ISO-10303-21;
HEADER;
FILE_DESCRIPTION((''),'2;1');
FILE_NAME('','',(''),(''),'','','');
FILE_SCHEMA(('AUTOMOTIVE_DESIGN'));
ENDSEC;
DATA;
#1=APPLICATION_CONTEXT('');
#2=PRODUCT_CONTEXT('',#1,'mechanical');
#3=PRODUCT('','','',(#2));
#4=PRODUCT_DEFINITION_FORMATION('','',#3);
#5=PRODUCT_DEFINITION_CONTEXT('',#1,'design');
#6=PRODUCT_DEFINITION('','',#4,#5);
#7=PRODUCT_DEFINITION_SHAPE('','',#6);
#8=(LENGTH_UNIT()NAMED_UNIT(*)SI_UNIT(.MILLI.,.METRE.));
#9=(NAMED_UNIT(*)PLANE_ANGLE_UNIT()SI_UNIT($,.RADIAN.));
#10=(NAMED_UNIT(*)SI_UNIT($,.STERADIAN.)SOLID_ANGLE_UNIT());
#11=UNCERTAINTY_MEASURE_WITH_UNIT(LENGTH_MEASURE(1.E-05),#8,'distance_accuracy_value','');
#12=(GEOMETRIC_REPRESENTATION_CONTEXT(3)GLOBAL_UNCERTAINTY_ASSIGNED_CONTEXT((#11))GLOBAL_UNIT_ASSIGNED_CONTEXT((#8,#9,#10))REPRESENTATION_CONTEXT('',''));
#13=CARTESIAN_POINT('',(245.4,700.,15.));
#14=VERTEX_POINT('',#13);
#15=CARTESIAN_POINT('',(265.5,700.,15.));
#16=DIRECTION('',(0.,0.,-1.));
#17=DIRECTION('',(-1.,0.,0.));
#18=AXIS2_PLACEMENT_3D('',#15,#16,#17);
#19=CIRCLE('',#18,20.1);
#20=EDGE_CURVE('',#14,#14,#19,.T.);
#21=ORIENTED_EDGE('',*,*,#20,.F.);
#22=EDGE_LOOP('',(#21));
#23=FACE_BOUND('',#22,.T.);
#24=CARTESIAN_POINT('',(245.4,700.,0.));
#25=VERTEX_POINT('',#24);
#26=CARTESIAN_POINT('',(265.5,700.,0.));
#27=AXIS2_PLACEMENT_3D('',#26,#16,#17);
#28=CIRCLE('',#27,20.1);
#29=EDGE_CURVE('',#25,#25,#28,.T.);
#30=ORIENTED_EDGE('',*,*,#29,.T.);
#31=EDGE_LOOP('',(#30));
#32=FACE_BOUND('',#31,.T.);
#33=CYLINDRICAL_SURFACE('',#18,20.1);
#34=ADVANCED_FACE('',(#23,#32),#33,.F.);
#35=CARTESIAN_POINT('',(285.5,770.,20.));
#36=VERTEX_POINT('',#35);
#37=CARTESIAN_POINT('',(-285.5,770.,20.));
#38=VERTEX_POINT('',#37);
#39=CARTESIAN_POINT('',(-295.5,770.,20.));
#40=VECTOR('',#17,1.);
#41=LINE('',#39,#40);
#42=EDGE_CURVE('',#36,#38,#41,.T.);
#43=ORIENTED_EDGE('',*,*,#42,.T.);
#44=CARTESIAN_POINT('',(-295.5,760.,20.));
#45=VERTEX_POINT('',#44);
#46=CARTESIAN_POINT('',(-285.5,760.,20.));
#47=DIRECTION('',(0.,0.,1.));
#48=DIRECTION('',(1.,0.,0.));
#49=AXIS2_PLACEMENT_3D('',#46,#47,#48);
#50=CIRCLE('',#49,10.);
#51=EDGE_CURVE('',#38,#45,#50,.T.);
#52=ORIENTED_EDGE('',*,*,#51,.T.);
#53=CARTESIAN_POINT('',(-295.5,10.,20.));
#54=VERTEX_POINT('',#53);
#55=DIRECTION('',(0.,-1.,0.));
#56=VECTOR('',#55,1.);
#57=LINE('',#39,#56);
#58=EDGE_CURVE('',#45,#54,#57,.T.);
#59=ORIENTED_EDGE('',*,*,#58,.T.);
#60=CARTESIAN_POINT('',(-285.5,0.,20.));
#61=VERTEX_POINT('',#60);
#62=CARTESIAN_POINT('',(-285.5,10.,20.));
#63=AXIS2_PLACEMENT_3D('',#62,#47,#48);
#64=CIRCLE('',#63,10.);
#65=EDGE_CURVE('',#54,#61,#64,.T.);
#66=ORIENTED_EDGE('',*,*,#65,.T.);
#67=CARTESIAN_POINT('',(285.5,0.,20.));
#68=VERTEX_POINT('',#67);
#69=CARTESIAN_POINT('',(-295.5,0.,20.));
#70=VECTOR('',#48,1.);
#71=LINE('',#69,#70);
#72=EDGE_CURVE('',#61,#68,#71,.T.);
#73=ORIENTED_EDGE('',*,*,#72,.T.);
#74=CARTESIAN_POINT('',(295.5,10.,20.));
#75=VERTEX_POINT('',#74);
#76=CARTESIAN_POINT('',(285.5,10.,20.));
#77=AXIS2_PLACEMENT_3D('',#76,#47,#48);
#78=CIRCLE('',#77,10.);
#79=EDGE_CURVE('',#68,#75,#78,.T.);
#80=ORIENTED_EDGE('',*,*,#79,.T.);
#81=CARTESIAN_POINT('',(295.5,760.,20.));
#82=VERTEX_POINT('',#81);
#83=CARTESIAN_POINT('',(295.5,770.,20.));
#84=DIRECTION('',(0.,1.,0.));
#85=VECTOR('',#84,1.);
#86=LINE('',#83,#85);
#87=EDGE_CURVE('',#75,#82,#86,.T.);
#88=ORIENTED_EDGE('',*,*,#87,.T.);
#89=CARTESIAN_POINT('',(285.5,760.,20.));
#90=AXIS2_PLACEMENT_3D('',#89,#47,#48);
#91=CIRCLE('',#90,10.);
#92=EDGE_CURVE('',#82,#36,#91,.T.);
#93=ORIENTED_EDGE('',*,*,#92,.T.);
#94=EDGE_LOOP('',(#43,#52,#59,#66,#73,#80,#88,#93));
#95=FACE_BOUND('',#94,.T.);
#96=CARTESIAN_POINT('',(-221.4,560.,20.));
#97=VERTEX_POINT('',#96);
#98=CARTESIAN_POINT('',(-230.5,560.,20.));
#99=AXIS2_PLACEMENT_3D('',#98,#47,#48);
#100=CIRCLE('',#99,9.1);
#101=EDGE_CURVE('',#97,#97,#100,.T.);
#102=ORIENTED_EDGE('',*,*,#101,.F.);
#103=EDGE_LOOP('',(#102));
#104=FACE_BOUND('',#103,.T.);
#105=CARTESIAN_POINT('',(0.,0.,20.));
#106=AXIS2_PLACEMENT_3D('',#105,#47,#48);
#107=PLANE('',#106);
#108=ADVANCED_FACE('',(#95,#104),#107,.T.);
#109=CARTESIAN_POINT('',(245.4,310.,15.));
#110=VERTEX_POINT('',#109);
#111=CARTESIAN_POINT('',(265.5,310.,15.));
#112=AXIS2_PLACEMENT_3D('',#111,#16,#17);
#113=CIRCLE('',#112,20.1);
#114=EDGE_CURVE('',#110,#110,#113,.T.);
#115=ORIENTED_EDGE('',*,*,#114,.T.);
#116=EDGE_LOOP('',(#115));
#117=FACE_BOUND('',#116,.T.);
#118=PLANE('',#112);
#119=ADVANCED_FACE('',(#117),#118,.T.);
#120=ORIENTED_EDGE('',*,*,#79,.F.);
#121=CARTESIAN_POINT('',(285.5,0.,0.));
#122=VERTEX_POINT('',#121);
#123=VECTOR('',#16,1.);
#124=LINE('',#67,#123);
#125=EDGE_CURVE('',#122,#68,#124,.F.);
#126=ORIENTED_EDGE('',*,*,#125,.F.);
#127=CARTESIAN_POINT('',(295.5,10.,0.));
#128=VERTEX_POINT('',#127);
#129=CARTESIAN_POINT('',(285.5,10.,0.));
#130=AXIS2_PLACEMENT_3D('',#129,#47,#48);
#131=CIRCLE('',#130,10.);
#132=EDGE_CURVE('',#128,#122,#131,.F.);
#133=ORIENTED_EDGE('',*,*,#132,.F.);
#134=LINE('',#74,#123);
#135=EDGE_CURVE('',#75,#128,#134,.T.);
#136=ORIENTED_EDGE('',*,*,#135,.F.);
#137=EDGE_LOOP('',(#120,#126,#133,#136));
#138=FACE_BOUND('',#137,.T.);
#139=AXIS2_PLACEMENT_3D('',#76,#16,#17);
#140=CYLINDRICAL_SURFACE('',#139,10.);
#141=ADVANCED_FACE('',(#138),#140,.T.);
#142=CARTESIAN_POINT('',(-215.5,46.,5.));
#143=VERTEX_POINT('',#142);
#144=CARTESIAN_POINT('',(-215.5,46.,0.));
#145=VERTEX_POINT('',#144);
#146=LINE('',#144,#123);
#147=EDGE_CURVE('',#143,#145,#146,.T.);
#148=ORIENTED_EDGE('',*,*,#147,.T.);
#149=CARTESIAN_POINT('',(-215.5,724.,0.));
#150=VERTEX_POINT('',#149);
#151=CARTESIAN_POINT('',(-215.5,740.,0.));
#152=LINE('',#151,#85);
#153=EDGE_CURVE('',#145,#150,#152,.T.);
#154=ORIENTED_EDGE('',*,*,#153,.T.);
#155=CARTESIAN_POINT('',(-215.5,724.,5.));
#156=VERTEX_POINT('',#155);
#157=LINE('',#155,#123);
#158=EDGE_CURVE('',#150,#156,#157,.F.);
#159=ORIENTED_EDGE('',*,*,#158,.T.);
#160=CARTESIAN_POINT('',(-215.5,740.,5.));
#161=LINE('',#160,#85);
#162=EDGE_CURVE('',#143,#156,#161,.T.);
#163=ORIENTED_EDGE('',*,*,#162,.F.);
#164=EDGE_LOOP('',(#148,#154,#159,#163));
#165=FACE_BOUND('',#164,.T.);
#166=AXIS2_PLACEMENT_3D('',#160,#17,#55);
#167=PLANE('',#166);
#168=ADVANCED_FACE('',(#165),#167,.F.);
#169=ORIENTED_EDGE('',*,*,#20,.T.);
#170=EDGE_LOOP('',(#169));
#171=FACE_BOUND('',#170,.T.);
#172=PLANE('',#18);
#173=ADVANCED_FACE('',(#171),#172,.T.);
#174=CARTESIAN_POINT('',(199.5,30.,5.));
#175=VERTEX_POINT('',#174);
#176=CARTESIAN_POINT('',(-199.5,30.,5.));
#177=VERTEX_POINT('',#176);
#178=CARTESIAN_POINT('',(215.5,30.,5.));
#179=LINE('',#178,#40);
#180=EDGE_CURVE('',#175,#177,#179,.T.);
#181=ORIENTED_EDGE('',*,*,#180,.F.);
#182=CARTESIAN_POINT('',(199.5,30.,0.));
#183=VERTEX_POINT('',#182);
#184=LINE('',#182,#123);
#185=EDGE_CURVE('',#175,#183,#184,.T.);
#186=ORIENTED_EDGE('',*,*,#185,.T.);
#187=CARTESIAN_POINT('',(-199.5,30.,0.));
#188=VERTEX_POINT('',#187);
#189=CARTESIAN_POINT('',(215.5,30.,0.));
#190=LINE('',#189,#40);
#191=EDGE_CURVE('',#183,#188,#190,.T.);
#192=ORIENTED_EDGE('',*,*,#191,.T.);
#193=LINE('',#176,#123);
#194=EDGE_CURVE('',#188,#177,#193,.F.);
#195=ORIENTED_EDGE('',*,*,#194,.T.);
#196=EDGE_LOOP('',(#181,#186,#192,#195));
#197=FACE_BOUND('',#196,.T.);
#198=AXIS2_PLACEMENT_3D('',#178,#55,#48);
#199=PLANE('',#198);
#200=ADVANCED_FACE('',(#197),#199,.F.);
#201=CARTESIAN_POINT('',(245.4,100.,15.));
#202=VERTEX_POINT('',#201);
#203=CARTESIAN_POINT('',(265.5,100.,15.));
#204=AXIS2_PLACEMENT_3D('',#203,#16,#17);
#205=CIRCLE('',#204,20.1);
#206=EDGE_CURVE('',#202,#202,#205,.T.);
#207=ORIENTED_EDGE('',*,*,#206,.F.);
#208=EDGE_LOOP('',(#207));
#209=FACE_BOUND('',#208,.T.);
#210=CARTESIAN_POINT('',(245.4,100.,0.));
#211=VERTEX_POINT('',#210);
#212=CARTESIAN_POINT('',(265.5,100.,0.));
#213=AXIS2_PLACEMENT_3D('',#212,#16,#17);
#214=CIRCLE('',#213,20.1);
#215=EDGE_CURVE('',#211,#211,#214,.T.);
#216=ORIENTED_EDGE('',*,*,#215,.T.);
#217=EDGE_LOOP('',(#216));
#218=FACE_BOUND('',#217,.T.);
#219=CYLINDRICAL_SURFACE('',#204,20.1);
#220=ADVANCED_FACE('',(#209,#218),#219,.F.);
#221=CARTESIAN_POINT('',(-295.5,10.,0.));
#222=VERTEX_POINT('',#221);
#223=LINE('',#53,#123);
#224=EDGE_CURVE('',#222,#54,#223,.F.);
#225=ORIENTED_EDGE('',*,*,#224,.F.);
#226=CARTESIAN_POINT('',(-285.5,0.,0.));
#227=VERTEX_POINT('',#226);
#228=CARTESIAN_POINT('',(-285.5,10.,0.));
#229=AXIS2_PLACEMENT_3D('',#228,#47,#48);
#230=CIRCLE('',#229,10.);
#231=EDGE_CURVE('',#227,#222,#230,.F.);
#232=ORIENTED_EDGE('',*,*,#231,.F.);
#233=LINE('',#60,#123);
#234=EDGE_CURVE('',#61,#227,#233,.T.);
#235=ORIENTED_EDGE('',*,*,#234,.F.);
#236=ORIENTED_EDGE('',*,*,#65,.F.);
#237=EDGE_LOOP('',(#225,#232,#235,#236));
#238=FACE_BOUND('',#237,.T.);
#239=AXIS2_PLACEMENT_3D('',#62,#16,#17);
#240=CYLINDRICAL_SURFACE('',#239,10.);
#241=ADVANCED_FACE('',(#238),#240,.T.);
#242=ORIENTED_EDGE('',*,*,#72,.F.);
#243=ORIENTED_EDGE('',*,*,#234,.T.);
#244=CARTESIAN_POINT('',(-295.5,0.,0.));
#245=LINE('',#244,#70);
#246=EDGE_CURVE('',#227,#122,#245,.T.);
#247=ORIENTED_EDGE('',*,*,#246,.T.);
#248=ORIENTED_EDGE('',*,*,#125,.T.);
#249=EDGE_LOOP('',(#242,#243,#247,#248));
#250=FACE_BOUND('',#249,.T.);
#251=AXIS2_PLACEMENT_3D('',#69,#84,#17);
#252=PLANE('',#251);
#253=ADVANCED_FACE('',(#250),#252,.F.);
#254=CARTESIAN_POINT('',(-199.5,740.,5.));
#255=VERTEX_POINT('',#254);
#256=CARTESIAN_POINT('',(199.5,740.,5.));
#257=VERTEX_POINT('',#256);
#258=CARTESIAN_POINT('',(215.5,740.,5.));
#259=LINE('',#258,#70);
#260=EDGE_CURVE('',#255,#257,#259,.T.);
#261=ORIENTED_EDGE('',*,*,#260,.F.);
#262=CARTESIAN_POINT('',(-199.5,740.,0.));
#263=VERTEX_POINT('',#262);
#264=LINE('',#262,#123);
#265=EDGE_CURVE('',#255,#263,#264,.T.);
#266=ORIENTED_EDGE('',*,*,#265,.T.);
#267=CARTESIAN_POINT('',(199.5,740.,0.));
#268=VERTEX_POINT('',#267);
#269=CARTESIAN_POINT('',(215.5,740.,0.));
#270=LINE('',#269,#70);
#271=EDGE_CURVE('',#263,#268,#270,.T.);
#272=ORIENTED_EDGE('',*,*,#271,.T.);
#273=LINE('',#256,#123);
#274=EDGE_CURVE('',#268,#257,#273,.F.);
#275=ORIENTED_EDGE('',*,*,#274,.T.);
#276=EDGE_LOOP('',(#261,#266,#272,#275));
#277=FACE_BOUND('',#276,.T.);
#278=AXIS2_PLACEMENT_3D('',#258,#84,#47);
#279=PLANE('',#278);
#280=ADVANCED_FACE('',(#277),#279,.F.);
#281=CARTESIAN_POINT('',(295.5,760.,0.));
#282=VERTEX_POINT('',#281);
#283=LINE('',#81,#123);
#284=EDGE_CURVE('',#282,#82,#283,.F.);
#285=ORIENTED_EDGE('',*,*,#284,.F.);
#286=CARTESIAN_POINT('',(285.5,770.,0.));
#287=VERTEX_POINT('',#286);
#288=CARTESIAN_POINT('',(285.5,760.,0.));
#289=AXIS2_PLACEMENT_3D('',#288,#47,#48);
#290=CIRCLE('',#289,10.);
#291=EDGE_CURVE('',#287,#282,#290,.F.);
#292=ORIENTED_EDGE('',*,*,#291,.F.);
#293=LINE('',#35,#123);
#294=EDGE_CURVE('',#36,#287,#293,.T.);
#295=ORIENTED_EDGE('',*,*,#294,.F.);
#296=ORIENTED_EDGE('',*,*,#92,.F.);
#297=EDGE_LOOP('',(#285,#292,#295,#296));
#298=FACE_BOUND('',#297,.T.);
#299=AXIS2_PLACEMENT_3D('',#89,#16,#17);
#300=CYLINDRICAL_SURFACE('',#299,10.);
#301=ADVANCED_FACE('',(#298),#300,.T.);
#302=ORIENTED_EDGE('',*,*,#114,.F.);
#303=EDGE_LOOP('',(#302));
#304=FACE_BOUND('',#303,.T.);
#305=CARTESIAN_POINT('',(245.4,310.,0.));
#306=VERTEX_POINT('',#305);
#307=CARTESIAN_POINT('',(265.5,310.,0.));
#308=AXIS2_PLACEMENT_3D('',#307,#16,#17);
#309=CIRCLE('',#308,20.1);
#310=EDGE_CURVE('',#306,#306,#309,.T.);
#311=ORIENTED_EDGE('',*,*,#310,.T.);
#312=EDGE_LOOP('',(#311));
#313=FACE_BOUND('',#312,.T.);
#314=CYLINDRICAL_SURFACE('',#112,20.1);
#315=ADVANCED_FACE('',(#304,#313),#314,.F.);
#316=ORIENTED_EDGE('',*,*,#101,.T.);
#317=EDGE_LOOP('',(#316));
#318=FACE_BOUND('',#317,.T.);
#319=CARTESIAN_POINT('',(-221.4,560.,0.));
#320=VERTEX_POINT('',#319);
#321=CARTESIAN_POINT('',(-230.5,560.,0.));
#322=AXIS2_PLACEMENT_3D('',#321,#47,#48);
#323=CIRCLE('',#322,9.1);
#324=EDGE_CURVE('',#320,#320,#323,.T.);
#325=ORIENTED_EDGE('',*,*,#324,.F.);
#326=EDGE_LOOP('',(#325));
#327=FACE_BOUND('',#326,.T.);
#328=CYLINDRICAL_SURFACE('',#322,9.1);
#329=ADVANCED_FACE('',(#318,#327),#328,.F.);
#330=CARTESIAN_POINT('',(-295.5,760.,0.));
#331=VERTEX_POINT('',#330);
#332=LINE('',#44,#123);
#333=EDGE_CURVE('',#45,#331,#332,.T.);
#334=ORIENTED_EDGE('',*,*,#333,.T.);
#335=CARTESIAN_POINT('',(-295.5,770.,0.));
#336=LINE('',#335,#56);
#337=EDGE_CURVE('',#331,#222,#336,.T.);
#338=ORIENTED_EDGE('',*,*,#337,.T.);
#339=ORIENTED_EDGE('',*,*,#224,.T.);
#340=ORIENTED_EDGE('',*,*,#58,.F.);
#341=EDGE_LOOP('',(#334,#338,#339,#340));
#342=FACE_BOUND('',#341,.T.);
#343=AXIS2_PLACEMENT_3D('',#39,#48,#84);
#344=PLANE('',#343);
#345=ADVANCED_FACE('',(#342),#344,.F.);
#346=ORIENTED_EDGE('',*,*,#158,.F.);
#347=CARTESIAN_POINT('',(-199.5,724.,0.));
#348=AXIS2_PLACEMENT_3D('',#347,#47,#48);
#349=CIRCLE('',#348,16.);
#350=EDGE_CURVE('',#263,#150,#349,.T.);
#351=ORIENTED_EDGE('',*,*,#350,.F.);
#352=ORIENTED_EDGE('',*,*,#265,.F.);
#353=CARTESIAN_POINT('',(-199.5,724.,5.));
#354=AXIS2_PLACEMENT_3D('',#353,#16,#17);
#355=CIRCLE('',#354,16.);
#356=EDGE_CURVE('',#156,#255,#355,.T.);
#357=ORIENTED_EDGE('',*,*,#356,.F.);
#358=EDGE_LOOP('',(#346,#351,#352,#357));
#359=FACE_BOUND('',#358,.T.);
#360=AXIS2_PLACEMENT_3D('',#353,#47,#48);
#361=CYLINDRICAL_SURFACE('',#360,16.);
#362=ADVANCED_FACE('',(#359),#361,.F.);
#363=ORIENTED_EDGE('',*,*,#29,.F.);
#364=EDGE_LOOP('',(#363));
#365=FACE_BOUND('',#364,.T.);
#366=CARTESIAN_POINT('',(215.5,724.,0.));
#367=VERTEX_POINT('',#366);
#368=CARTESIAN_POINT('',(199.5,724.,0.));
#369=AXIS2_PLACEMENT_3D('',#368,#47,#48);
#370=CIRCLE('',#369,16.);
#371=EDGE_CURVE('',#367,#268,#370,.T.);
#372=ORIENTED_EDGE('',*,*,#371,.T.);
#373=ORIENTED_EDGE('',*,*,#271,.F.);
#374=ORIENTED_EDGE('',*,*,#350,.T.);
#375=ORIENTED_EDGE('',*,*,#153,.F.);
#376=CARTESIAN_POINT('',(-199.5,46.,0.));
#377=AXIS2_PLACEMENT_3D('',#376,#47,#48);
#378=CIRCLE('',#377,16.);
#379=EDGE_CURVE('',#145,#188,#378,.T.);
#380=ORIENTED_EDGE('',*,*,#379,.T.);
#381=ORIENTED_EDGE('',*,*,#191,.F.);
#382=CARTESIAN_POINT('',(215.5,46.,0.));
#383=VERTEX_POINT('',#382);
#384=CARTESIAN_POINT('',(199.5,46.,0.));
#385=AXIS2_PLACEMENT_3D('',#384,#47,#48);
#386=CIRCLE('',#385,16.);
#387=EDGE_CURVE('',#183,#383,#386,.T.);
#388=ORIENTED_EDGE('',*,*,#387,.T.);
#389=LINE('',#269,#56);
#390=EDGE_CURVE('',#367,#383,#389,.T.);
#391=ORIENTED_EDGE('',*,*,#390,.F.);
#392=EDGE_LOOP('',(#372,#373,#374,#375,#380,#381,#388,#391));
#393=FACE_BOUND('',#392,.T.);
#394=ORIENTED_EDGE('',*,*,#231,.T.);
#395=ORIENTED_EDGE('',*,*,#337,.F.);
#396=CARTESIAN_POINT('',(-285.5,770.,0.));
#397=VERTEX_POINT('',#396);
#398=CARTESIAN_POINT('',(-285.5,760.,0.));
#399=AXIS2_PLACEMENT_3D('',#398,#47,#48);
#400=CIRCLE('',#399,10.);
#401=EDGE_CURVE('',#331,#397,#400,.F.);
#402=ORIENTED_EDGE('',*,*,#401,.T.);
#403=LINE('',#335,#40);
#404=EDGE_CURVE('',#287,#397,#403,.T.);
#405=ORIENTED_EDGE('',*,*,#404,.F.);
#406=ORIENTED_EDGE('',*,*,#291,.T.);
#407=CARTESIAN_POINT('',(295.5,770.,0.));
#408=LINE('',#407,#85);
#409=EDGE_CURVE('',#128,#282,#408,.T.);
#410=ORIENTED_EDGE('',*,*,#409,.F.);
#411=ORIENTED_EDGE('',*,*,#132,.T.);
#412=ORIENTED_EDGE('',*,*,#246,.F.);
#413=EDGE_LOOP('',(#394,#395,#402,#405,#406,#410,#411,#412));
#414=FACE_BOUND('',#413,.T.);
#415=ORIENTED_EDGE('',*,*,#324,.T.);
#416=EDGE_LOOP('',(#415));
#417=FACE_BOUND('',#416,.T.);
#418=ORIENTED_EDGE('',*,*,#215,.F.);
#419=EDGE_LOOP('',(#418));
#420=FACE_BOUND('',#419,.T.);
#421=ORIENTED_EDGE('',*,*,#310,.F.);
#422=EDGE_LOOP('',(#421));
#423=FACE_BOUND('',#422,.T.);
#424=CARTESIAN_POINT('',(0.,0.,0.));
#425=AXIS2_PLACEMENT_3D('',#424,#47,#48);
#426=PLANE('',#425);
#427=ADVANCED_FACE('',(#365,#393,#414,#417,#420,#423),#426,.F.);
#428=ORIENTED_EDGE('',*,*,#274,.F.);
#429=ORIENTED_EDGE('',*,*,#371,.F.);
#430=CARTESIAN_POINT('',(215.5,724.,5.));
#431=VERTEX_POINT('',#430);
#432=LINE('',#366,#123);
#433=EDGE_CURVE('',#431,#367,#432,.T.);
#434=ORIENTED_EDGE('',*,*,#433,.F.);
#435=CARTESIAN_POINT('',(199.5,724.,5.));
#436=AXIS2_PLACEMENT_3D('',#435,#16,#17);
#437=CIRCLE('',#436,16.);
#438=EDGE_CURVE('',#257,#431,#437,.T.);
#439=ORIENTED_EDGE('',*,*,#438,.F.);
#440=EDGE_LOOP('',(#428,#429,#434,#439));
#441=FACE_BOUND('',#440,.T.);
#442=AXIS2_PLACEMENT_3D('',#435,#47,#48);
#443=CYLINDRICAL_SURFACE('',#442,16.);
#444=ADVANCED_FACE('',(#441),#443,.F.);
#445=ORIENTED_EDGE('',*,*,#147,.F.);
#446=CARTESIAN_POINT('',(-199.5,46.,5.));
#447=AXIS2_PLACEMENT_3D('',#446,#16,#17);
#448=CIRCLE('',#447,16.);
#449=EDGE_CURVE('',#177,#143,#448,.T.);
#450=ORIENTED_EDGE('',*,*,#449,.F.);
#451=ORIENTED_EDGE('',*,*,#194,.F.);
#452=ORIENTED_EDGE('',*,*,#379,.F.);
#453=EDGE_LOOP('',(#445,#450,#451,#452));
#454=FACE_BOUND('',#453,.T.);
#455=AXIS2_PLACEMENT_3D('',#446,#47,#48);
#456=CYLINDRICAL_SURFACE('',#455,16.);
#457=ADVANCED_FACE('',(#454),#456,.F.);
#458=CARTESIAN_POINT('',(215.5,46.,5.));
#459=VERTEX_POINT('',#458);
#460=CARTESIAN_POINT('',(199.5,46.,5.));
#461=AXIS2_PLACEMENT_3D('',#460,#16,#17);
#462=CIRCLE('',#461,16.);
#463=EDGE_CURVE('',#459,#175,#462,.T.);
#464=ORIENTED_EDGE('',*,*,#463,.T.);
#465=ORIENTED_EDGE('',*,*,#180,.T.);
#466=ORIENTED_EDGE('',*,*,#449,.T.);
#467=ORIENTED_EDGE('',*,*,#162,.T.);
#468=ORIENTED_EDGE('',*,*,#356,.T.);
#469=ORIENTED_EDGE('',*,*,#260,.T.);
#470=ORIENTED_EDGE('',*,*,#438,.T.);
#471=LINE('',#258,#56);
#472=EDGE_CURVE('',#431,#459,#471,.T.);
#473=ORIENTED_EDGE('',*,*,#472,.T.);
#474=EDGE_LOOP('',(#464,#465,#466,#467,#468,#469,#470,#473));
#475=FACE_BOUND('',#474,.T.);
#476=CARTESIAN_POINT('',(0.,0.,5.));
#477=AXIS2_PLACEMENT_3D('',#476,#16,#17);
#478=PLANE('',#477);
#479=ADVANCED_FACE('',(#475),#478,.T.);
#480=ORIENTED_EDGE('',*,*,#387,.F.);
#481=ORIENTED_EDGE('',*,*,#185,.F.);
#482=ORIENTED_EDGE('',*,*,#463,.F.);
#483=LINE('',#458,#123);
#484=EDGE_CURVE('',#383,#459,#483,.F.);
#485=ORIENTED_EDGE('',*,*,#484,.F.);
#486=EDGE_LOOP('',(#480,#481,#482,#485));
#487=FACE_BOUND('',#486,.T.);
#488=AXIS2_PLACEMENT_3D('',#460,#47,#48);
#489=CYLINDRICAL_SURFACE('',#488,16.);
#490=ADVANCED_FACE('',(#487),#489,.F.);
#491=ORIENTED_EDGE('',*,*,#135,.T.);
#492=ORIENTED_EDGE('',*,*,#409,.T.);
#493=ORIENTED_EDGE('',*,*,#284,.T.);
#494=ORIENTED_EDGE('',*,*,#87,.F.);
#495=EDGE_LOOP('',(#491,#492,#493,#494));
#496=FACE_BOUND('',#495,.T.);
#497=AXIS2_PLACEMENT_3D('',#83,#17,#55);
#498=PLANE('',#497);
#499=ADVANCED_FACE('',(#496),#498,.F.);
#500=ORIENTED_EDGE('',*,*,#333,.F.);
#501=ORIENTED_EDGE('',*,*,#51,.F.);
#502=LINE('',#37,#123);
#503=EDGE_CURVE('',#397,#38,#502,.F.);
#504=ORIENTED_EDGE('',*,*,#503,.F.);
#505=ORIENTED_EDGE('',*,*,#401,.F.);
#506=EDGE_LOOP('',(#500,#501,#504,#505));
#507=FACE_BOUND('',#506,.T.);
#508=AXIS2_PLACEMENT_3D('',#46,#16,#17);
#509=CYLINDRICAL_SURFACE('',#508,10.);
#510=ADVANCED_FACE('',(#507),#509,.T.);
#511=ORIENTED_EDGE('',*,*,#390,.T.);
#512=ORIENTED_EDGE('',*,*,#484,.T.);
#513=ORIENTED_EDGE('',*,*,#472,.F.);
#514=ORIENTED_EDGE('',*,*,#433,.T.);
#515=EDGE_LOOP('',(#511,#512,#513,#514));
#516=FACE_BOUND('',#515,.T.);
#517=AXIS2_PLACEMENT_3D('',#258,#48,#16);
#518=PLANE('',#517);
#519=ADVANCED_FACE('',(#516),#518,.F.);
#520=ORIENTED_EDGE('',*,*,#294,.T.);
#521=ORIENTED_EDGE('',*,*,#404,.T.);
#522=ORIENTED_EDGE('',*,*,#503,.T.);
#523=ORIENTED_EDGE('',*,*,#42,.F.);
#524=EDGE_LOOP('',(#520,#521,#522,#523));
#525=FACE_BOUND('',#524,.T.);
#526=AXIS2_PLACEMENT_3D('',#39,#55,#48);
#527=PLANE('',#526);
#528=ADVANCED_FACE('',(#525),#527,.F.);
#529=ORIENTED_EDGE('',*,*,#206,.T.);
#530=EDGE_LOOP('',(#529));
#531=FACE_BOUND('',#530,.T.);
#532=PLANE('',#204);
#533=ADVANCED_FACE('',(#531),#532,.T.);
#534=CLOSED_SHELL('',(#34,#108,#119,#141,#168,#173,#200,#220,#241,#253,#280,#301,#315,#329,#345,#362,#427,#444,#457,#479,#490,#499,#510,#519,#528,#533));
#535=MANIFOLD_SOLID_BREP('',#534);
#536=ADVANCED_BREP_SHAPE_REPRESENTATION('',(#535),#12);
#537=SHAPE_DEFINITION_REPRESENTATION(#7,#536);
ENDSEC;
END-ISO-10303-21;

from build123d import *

# Parameters (mm, degrees)
SKETCH_1_W               = 591
SKETCH_1_H               = 770
EXTRUDE_1_DEPTH          = 20
CUT_EXTRUDE_1_DEPTH      = 825.997121207
CUT_EXTRUDE_1_DEPTH_BACK = 825.997121207
SKETCH_2_R               = 9.1
FILLET_1_R               = 10
SKETCH_4_R               = 20.1
CUT_EXTRUDE_3_DEPTH      = 15
SKETCH_5_W               = 431
SKETCH_5_H               = 710
CUT_EXTRUDE_4_DEPTH      = 5
FILLET_2_R               = 16


with BuildPart() as part:
    # 草图1 → 凸台-拉伸1 (new body)
    with BuildSketch(Plane.XY):
        with Locations((0, 385)):
            Rectangle(SKETCH_1_W, SKETCH_1_H)
    extrude(amount=EXTRUDE_1_DEPTH)

    # 草图2 → 切除-拉伸1 (cut, two sides: drawn at the far end of the back side and taken through both)
    with BuildSketch(Plane.XY.offset(20).offset(-CUT_EXTRUDE_1_DEPTH_BACK)):
        with Locations((-230.5, 560)):
            Circle(SKETCH_2_R)
    extrude(amount=CUT_EXTRUDE_1_DEPTH + CUT_EXTRUDE_1_DEPTH_BACK, mode=Mode.SUBTRACT)

    # 圆角1
    fillet_1_edges = [part.edges().sort_by_distance(p)[0] for p in [
        (-295.5, 770, 10),
        (295.5, 770, 10),
        (295.5, 0, 10),
        (-295.5, 0, 10),
    ]]
    fillet(fillet_1_edges, radius=FILLET_1_R)

    # 草图4 → 切除-拉伸3 (cut)
    with BuildSketch(Plane(origin=(0, 0, 0), x_dir=(-1, 0, 0), z_dir=(0, 0, -1))):
        with Locations((-265.5, 700)):
            Circle(SKETCH_4_R)
        with Locations((-265.5, 310)):
            Circle(SKETCH_4_R)
        with Locations((-265.5, 100)):
            Circle(SKETCH_4_R)
    extrude(amount=-CUT_EXTRUDE_3_DEPTH, mode=Mode.SUBTRACT)

    # 草图5 → 切除-拉伸4 (cut)
    with BuildSketch(Plane(origin=(0, 0, 0), x_dir=(-1, 0, 0), z_dir=(0, 0, -1))):
        with Locations((0, 385)):
            Rectangle(SKETCH_5_W, SKETCH_5_H)
    extrude(amount=-CUT_EXTRUDE_4_DEPTH, mode=Mode.SUBTRACT)

    # 圆角2
    fillet_2_edges = [part.edges().sort_by_distance(p)[0] for p in [
        (215.5, 30, 2.5),
        (215.5, 740, 2.5),
        (-215.5, 740, 2.5),
        (-215.5, 30, 2.5),
    ]]
    fillet(fillet_2_edges, radius=FILLET_2_R)


solid = part.part
